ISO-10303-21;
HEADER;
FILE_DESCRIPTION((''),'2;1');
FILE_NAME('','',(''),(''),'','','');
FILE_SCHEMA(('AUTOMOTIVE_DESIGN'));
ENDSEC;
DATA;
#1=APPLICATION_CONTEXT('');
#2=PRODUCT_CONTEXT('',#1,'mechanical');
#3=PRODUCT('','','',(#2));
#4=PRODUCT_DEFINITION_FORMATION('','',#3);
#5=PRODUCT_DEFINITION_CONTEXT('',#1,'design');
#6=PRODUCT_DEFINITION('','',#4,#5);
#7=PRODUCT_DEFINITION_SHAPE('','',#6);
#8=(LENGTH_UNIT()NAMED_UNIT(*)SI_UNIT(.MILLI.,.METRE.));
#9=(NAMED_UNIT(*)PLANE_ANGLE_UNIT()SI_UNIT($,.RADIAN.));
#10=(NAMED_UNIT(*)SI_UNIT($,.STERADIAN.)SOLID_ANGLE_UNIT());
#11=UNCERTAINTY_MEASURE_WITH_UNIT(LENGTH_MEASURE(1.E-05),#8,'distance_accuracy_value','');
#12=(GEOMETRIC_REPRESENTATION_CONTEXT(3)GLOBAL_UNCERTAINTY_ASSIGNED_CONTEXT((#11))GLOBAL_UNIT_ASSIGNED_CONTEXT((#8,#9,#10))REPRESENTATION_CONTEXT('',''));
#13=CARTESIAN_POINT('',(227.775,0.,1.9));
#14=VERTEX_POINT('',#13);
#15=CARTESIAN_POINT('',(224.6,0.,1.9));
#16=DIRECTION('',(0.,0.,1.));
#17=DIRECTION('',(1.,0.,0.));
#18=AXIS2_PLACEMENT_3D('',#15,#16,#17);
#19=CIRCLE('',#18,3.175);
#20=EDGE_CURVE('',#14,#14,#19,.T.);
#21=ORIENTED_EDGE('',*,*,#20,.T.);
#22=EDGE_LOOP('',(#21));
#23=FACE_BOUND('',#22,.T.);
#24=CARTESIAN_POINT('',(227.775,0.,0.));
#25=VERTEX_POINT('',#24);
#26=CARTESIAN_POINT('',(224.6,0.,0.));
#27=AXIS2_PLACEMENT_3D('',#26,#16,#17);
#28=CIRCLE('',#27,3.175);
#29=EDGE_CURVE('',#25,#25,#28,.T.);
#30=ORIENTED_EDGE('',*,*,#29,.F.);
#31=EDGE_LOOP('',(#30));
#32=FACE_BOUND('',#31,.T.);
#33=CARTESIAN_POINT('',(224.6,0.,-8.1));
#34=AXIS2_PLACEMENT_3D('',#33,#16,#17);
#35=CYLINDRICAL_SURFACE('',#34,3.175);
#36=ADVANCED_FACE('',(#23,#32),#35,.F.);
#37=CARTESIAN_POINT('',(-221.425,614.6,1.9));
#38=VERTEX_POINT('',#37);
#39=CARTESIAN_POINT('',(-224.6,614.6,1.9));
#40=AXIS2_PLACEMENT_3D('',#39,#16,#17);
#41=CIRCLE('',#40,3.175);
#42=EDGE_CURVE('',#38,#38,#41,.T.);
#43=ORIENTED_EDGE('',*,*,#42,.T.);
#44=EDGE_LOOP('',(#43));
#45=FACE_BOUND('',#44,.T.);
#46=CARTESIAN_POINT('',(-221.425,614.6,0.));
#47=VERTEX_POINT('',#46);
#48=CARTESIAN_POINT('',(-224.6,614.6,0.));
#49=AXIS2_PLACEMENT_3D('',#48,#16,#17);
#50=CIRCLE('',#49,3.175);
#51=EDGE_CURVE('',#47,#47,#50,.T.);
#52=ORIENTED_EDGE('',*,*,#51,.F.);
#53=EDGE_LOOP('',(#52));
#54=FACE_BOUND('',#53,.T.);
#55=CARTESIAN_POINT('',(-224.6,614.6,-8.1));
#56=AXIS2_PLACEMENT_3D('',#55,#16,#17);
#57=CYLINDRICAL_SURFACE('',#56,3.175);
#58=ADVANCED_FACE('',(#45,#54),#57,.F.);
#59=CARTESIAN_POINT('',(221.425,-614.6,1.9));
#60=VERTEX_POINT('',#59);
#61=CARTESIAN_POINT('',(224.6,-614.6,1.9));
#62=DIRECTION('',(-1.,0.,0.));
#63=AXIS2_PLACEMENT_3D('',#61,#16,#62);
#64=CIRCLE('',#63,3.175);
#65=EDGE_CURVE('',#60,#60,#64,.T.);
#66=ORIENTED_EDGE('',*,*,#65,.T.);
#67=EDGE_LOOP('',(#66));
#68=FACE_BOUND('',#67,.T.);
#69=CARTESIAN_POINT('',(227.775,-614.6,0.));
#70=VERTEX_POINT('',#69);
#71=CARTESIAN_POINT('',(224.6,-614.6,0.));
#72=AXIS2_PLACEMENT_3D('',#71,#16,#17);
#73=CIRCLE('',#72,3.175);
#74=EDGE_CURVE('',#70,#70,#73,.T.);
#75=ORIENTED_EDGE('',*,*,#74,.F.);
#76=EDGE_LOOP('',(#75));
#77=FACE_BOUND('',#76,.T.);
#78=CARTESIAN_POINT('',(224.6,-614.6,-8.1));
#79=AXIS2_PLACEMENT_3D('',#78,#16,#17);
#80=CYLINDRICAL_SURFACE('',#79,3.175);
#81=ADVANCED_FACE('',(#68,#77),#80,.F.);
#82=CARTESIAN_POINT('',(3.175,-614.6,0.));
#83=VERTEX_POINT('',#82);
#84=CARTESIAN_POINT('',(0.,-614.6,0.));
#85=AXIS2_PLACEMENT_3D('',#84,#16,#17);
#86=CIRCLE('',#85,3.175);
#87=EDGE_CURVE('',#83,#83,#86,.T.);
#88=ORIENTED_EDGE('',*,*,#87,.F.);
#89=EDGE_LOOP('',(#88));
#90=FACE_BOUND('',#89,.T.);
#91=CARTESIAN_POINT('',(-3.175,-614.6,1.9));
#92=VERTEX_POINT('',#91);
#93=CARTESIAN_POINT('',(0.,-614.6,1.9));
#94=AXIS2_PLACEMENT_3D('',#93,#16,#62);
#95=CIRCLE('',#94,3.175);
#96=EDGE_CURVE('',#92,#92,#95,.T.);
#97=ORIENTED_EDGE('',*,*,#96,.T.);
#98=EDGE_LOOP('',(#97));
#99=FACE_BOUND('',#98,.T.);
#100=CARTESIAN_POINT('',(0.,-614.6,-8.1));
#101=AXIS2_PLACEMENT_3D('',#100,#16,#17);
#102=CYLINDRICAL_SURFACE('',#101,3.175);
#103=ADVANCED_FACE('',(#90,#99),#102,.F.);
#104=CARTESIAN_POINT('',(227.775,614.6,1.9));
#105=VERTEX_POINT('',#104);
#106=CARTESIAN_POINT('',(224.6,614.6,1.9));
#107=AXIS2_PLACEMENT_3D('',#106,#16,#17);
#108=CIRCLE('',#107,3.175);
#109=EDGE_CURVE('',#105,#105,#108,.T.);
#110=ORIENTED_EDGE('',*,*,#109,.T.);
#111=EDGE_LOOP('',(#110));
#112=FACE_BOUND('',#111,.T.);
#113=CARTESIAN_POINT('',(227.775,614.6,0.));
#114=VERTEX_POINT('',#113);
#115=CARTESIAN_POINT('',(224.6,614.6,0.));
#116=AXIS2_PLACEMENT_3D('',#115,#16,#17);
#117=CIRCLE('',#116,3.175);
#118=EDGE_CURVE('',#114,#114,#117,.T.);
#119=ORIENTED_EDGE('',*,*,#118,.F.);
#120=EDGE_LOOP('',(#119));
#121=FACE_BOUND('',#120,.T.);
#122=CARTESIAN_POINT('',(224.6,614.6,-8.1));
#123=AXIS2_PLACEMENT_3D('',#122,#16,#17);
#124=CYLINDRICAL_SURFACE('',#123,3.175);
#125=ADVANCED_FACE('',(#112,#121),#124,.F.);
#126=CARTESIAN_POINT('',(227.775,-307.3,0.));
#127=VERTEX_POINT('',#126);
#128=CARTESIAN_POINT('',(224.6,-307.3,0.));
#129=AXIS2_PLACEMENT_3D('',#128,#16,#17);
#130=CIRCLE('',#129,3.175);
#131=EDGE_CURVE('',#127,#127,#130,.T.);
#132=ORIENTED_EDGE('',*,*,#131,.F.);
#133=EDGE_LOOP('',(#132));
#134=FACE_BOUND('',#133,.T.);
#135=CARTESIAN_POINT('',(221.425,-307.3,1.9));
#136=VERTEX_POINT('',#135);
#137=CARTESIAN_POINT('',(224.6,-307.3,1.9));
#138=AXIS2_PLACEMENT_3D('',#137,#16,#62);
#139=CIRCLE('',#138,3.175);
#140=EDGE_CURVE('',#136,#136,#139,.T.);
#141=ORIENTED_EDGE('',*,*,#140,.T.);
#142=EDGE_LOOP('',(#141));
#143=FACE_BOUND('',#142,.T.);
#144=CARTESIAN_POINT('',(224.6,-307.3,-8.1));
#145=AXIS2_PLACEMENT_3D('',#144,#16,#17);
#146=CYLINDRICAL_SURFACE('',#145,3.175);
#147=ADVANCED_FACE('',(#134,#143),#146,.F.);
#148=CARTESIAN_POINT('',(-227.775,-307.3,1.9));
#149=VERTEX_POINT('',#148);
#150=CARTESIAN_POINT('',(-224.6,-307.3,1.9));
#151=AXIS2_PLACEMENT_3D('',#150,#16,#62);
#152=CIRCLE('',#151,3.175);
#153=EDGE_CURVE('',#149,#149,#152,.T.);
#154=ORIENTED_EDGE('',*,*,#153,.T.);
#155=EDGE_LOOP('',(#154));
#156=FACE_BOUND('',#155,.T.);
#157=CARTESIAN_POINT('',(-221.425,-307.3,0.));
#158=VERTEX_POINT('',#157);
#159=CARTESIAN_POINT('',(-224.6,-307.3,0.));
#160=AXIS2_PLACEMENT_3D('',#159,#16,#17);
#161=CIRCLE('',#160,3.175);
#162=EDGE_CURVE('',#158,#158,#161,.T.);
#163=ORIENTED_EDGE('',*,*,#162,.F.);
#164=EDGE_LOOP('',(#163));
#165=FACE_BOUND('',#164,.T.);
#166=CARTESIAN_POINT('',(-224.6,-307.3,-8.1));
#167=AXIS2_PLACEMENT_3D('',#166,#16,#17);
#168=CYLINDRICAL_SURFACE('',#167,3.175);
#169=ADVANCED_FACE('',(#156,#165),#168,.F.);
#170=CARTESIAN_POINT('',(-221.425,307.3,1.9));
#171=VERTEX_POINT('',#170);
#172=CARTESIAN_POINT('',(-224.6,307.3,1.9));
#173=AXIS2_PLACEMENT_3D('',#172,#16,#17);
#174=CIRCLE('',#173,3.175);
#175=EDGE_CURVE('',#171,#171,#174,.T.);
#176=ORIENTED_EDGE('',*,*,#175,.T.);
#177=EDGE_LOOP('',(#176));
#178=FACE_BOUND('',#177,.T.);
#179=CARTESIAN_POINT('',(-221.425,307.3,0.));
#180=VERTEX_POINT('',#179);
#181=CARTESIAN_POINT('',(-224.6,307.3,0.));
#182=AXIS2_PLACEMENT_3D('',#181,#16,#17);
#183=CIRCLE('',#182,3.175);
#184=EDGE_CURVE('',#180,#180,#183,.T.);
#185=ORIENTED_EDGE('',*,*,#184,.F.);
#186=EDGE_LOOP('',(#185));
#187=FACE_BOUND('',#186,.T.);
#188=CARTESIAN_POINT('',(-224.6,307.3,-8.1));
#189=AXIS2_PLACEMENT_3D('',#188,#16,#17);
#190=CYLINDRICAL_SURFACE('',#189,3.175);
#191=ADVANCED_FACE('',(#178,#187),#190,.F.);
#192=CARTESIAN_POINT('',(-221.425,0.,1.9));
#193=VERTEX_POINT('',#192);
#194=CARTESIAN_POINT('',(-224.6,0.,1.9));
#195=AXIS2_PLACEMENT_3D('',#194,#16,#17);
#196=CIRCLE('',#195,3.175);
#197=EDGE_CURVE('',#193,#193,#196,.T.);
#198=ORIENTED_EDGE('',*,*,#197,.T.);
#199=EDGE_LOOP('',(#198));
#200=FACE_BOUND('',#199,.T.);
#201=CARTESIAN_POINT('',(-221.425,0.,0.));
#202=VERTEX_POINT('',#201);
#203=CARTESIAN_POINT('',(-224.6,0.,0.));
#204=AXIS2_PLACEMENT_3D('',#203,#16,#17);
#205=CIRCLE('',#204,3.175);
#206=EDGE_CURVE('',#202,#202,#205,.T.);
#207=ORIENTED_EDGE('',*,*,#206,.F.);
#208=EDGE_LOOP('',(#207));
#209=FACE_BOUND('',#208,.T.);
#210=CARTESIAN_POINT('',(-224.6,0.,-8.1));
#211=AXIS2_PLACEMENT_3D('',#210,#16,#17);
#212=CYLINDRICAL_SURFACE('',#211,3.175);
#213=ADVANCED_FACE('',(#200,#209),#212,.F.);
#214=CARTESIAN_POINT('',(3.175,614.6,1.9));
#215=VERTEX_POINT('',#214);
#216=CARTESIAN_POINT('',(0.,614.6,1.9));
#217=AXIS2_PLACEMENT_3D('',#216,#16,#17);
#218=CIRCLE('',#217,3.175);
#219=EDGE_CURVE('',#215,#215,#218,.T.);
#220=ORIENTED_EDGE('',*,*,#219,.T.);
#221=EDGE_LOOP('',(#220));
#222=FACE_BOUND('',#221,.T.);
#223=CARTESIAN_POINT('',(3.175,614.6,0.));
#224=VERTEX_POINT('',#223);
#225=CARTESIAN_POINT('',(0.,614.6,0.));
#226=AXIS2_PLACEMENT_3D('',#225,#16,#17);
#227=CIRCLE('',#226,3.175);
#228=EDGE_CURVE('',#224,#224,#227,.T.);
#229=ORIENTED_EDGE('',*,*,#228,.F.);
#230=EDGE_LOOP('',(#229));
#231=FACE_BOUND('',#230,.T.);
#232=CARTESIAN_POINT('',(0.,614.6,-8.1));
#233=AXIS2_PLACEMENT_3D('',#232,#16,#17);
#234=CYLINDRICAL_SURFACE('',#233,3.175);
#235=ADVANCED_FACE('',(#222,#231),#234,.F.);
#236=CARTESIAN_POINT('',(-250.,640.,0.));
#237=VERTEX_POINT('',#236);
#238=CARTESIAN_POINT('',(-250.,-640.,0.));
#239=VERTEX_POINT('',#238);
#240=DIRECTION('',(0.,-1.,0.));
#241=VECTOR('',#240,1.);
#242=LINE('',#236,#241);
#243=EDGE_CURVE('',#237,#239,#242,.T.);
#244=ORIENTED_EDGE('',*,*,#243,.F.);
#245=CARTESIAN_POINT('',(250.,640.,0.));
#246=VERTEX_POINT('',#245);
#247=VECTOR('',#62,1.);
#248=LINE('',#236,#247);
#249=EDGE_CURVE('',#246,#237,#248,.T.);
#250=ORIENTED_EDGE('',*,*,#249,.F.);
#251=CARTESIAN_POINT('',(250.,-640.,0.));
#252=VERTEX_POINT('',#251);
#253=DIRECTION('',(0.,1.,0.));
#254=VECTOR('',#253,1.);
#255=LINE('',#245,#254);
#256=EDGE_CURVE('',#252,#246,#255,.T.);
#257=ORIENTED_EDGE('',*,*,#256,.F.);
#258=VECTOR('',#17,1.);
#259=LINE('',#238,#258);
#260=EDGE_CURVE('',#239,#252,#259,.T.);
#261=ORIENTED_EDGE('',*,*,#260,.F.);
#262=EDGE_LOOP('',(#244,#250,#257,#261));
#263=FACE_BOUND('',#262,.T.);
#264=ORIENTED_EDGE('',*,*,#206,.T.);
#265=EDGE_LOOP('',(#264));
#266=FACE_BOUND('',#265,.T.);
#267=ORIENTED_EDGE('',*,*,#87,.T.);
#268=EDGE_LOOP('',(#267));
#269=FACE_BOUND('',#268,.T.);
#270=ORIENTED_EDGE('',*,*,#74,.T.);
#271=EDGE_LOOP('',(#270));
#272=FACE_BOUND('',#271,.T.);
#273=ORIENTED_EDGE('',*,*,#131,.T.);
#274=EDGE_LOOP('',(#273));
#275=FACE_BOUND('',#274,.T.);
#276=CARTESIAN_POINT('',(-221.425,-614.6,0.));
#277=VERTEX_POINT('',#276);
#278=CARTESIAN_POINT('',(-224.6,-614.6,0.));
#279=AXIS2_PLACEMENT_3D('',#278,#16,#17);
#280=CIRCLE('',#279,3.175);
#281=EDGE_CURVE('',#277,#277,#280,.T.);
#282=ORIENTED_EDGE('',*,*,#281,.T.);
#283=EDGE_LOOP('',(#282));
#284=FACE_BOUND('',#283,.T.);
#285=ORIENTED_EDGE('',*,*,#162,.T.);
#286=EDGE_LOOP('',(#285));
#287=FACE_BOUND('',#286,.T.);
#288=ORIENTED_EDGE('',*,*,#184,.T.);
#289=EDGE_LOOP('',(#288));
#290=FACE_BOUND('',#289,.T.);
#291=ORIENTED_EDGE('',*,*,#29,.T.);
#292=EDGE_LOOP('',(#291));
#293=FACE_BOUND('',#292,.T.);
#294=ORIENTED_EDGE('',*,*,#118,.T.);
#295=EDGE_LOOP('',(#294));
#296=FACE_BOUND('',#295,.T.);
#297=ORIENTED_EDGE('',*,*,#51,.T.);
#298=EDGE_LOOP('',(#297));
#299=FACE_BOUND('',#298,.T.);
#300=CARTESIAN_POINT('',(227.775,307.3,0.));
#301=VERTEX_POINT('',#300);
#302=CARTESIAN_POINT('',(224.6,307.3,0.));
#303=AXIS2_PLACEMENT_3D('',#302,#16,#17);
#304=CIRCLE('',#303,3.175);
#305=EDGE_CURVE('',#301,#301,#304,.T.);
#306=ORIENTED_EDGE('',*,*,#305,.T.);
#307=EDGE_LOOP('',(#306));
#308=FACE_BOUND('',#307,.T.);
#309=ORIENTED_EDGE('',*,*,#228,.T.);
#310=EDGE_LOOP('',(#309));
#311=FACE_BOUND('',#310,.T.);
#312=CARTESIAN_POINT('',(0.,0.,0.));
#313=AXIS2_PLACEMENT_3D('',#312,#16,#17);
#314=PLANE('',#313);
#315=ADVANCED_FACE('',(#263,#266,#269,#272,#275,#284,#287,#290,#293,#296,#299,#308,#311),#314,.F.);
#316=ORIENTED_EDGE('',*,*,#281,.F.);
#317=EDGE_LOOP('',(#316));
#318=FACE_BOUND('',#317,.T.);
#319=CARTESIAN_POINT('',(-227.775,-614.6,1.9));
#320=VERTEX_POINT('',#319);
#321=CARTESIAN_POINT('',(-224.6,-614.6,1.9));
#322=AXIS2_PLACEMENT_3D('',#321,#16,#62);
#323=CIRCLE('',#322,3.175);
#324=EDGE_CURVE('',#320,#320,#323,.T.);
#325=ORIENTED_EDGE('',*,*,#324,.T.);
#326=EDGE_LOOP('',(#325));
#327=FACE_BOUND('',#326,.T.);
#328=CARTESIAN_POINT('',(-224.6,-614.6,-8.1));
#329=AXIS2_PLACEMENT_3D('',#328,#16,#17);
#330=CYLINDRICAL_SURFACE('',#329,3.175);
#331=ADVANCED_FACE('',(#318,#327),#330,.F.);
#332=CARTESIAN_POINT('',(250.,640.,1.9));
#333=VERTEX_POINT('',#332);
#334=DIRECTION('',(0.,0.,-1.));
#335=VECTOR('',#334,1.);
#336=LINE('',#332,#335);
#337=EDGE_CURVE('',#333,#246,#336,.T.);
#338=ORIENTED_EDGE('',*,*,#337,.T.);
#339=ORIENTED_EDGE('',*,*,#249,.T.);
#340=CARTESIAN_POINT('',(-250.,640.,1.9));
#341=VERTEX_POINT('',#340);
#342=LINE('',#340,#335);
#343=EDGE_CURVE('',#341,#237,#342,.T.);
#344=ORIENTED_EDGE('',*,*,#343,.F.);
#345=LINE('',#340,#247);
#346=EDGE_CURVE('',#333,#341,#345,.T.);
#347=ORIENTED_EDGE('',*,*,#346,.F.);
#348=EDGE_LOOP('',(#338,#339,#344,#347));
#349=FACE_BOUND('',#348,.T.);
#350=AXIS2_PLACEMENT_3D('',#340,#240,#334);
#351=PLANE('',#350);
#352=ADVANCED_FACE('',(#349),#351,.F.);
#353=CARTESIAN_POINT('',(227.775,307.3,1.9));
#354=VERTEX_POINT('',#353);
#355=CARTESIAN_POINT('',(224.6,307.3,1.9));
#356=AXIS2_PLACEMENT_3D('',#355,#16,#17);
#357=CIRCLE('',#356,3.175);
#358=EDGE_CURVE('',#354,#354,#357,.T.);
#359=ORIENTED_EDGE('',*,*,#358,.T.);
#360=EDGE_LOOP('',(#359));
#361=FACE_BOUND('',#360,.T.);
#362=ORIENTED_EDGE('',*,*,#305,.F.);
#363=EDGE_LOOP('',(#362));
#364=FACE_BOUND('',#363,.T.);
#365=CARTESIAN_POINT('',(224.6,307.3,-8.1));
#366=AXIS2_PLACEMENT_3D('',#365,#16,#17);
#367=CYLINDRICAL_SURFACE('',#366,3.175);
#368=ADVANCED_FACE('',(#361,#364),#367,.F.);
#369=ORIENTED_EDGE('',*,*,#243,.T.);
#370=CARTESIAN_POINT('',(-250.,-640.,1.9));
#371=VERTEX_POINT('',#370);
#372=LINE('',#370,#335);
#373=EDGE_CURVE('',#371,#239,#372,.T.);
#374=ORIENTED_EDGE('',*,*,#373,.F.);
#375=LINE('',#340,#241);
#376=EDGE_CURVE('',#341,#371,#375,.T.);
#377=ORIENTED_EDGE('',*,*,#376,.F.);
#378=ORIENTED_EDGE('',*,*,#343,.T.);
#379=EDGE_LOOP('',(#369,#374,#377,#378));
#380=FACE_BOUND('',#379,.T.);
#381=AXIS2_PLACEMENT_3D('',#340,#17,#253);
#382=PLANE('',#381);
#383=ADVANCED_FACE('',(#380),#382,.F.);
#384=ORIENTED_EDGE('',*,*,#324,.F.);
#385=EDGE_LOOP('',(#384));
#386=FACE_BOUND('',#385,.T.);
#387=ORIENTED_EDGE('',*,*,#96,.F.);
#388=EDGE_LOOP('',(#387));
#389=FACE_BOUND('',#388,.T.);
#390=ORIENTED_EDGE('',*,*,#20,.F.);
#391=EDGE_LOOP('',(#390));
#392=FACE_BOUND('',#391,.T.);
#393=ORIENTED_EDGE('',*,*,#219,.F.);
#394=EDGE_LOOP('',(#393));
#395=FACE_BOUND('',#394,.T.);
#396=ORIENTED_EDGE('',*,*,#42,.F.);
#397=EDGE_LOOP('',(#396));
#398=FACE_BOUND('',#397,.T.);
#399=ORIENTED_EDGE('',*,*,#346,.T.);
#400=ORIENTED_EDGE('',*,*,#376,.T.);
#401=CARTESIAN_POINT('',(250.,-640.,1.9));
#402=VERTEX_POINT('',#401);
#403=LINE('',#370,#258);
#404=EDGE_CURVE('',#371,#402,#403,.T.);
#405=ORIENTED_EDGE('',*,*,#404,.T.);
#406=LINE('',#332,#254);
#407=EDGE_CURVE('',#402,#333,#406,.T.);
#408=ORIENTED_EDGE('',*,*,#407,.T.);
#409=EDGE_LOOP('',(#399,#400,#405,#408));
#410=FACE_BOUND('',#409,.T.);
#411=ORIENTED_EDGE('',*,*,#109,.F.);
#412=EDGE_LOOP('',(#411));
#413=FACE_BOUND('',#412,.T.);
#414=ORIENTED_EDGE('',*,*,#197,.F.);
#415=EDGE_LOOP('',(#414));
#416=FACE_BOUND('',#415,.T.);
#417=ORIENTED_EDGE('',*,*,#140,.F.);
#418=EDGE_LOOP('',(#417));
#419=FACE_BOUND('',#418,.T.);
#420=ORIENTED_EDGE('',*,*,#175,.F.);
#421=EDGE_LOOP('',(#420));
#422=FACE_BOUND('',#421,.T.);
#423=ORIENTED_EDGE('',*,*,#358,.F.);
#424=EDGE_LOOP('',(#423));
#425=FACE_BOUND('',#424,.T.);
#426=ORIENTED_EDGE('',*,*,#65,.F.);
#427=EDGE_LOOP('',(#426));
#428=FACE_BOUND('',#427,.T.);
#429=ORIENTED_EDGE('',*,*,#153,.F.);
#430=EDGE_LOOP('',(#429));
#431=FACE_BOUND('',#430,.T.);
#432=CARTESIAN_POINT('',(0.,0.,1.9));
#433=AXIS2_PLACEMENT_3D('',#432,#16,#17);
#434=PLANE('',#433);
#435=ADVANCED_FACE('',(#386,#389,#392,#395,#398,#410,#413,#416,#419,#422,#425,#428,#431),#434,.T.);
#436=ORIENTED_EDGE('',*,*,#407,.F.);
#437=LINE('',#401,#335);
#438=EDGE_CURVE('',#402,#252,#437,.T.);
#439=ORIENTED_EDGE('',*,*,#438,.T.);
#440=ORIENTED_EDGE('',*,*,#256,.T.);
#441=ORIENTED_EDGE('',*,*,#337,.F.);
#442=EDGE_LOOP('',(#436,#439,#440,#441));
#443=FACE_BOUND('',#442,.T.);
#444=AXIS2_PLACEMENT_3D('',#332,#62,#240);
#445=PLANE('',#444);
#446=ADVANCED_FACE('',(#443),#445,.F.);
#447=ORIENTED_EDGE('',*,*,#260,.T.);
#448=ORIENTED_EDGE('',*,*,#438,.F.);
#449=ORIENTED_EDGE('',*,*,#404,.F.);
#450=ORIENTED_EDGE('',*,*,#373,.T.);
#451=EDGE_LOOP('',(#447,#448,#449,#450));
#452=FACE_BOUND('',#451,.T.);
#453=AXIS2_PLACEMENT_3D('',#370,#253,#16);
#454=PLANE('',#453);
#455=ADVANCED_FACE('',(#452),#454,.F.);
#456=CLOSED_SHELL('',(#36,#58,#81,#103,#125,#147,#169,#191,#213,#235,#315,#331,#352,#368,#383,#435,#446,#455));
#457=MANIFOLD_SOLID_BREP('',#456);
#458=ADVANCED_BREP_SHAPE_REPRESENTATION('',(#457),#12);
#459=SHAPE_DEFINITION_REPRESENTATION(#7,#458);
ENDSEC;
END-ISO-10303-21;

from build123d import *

# Parameters (mm, degrees)
CROQUIS1_W              = 500
CROQUIS1_H              = 1280
SALIENTE_EXTRUIR1_DEPTH = 1.9
CROQUIS2_R              = 3.175
CORTAR_EXTRUIR1_DEPTH   = 10


with BuildPart() as part:
    # Croquis1 → Saliente-Extruir1 (new body)
    with BuildSketch(Plane.XY):
        Rectangle(CROQUIS1_W, CROQUIS1_H)
    extrude(amount=SALIENTE_EXTRUIR1_DEPTH)

    # Croquis2 → Cortar-Extruir1 (cut)
    with BuildSketch(Plane.XY.offset(1.9)):
        with Locations((-224.6, 614.6)):
            Circle(CROQUIS2_R)
        with Locations((224.6, 614.6)):
            Circle(CROQUIS2_R)
        with Locations((0, 614.6)):
            Circle(CROQUIS2_R)
        with Locations((224.6, -614.6)):
            Circle(CROQUIS2_R)
        with Locations((0, -614.6)):
            Circle(CROQUIS2_R)
        with Locations((-224.6, -614.6)):
            Circle(CROQUIS2_R)
        with Locations((-224.6, 0)):
            Circle(CROQUIS2_R)
        with Locations((224.6, 0)):
            Circle(CROQUIS2_R)
        with Locations((-224.6, 307.3)):
            Circle(CROQUIS2_R)
        with Locations((224.6, 307.3)):
            Circle(CROQUIS2_R)
        with Locations((-224.6, -307.3)):
            Circle(CROQUIS2_R)
        with Locations((224.6, -307.3)):
            Circle(CROQUIS2_R)
    extrude(amount=-CORTAR_EXTRUIR1_DEPTH, mode=Mode.SUBTRACT)


solid = part.part
